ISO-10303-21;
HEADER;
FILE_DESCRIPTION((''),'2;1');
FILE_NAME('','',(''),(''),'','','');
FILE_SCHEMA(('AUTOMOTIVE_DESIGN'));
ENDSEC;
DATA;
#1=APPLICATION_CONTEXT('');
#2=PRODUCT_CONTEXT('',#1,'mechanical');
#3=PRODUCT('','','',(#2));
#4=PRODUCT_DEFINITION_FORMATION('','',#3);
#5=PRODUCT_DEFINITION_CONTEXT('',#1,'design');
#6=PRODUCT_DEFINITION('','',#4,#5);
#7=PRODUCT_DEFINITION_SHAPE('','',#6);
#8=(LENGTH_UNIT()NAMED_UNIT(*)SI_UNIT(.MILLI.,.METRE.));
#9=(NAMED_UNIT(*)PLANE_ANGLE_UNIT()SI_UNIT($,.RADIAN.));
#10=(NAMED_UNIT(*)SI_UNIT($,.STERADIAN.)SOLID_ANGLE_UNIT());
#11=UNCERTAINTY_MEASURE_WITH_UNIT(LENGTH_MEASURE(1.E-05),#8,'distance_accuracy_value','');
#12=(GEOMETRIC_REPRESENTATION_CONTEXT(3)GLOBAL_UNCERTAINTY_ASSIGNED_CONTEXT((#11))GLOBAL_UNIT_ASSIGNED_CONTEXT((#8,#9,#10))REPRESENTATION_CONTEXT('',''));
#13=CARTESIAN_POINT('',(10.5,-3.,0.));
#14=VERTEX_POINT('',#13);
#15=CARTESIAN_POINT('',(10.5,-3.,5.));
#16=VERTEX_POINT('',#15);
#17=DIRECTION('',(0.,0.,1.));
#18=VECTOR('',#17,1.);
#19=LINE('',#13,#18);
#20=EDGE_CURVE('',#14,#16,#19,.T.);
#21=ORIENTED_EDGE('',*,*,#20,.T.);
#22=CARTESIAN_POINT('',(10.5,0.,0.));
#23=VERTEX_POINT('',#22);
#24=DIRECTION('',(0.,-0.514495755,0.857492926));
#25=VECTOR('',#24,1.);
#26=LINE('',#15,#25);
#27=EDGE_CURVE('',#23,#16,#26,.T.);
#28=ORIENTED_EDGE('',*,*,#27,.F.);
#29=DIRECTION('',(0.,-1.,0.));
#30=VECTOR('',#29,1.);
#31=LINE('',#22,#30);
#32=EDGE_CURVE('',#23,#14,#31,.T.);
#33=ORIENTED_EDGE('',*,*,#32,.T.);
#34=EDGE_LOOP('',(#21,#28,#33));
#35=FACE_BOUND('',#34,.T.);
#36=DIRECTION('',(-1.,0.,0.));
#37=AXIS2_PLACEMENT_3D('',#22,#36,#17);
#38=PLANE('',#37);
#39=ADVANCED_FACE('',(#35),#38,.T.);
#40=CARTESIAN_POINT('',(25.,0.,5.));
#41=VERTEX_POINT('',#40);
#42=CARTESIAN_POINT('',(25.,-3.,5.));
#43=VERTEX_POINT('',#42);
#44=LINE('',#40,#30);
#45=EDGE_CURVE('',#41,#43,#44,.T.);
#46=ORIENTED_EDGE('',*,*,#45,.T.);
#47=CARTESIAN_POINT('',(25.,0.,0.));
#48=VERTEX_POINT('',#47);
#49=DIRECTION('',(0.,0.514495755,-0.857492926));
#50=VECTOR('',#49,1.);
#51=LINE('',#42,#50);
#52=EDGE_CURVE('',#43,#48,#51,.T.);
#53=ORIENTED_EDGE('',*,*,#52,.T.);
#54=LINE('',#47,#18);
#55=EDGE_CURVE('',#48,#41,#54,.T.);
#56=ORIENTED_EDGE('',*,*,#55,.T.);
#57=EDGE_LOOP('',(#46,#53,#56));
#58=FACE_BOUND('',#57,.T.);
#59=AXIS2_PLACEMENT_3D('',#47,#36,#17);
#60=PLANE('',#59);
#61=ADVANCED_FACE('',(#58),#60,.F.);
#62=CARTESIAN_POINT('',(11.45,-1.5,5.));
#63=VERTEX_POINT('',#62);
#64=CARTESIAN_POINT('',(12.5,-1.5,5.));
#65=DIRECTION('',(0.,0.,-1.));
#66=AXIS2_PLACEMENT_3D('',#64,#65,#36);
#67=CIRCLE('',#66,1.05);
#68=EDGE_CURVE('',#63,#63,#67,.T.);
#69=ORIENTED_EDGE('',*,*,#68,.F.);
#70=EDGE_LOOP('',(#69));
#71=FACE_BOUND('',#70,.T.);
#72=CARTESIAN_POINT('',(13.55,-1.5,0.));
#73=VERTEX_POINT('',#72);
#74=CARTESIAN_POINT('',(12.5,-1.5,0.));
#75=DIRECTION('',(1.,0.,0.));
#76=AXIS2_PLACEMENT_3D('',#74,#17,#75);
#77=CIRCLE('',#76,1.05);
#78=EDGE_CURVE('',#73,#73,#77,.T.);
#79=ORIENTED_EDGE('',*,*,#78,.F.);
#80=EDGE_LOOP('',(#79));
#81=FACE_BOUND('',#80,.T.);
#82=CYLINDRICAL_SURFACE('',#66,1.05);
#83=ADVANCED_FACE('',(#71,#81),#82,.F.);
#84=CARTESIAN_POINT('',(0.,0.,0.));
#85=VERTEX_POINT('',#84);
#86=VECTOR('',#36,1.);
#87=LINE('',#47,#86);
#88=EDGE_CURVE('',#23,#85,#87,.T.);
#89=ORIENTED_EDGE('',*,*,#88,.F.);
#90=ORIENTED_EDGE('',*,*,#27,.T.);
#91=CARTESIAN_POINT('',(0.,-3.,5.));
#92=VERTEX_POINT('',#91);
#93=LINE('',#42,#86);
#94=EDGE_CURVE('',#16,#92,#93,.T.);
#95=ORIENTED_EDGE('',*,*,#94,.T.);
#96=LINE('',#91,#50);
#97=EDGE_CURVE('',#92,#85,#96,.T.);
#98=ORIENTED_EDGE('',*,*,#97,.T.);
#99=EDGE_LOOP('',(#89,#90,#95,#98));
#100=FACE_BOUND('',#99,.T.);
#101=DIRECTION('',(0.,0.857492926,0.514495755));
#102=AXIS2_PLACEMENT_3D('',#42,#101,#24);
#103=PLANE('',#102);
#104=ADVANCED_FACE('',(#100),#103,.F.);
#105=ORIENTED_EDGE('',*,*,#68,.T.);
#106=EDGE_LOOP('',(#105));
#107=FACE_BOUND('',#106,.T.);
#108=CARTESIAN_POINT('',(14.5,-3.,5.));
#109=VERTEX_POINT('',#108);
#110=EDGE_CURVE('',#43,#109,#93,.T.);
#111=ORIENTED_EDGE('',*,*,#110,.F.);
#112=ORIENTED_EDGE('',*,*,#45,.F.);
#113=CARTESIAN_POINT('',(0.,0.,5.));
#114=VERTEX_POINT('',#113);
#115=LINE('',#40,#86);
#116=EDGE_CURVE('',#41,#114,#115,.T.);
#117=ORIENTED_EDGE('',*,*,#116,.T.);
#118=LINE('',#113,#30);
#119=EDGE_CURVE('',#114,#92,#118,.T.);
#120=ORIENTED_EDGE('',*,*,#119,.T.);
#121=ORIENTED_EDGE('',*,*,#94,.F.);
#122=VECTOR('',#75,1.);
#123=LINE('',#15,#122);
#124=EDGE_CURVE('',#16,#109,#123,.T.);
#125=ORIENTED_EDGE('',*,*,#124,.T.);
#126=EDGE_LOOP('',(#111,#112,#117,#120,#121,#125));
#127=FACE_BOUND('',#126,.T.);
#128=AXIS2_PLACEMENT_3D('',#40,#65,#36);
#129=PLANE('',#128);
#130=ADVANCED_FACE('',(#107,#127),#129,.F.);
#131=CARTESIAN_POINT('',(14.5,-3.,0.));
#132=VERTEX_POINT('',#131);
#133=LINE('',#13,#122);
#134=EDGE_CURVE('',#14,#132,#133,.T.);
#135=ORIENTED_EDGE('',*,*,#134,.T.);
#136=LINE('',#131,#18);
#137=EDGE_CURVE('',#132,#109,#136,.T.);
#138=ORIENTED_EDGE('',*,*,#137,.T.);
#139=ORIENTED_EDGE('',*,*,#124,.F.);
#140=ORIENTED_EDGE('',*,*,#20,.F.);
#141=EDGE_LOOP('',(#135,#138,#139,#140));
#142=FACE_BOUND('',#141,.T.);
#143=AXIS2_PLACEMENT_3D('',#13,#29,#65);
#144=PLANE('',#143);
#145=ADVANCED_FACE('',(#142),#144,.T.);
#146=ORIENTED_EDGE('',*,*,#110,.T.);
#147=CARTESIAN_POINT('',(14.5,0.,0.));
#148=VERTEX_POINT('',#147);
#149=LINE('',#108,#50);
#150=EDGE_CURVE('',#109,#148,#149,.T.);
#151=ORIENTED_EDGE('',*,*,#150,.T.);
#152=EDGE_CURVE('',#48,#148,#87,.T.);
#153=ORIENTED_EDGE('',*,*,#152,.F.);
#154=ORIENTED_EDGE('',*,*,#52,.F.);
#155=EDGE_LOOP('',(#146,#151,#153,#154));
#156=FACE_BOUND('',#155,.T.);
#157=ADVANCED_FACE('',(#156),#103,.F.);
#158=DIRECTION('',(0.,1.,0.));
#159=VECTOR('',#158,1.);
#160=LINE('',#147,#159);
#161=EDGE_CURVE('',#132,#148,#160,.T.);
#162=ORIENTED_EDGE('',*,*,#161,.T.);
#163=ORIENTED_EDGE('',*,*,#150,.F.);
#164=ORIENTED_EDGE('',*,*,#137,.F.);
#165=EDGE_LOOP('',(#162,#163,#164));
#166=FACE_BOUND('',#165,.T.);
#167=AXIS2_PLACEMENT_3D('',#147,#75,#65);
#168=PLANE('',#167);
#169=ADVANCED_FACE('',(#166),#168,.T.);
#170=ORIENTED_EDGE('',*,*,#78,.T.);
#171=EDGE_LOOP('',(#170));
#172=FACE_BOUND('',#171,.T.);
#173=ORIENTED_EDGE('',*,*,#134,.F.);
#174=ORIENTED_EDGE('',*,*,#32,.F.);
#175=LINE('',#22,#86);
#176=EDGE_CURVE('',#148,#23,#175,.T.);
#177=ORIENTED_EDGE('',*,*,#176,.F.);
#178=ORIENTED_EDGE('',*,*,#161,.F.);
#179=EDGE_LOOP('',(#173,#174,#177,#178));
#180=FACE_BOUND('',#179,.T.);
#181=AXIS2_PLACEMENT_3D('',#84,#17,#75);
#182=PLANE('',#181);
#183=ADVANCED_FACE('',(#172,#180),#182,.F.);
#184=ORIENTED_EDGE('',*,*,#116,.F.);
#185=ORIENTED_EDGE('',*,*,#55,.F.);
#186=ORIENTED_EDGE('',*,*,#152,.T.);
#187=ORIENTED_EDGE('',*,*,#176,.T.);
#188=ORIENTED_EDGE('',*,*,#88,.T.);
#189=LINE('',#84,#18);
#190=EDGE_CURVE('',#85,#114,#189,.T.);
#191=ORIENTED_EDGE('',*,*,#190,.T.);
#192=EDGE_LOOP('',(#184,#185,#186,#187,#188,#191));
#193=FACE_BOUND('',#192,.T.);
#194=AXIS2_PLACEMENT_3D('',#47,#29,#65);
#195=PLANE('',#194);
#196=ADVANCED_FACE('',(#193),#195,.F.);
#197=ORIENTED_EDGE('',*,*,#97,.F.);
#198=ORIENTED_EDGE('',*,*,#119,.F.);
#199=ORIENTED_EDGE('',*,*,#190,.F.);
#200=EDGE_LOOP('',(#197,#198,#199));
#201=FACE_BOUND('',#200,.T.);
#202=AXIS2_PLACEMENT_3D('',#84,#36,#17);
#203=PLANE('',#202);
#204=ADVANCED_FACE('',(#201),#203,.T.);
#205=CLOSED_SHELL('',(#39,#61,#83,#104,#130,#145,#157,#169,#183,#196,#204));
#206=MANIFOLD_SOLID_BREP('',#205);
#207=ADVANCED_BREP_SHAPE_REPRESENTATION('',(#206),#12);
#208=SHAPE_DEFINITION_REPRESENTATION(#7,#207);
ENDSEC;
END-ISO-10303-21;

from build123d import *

# Parameters (mm, degrees)
BOSS_EXTRUDE1_DEPTH     = 25
SKETCH2_W               = 4
SKETCH2_H               = 3
BOSS_EXTRUDE2_DEPTH     = 5
CUT_EXTRUDE1_DEPTH      = 26.670995306
CUT_EXTRUDE1_DEPTH_BACK = 26.670995306
SKETCH3_R               = 1.05


with BuildPart() as part:
    # Sketch1 → Boss-Extrude1 (new body)
    with BuildSketch(Plane(origin=(0, 0, 0), x_dir=(0, 0, -1), z_dir=(1, 0, 0))):
        Polygon((0, 0), (-5, 0), (-5, -3), align=None)
    extrude(amount=BOSS_EXTRUDE1_DEPTH)

    # Sketch2 → Boss-Extrude2 (add)
    with BuildSketch(Plane.XY.offset(5)):
        with Locations((12.5, -1.5)):
            Rectangle(SKETCH2_W, SKETCH2_H)
    extrude(amount=-BOSS_EXTRUDE2_DEPTH)

    # Sketch3 → Cut-Extrude1 (cut, two sides: drawn at the far end of the back side and taken through both)
    with BuildSketch(Plane(origin=(0, 0, 0), x_dir=(-1, 0, 0), z_dir=(0, 0, -1)).offset(-CUT_EXTRUDE1_DEPTH_BACK)):
        with Locations((-12.5, -1.5)):
            Circle(SKETCH3_R)
    extrude(amount=CUT_EXTRUDE1_DEPTH + CUT_EXTRUDE1_DEPTH_BACK, mode=Mode.SUBTRACT)


solid = part.part
